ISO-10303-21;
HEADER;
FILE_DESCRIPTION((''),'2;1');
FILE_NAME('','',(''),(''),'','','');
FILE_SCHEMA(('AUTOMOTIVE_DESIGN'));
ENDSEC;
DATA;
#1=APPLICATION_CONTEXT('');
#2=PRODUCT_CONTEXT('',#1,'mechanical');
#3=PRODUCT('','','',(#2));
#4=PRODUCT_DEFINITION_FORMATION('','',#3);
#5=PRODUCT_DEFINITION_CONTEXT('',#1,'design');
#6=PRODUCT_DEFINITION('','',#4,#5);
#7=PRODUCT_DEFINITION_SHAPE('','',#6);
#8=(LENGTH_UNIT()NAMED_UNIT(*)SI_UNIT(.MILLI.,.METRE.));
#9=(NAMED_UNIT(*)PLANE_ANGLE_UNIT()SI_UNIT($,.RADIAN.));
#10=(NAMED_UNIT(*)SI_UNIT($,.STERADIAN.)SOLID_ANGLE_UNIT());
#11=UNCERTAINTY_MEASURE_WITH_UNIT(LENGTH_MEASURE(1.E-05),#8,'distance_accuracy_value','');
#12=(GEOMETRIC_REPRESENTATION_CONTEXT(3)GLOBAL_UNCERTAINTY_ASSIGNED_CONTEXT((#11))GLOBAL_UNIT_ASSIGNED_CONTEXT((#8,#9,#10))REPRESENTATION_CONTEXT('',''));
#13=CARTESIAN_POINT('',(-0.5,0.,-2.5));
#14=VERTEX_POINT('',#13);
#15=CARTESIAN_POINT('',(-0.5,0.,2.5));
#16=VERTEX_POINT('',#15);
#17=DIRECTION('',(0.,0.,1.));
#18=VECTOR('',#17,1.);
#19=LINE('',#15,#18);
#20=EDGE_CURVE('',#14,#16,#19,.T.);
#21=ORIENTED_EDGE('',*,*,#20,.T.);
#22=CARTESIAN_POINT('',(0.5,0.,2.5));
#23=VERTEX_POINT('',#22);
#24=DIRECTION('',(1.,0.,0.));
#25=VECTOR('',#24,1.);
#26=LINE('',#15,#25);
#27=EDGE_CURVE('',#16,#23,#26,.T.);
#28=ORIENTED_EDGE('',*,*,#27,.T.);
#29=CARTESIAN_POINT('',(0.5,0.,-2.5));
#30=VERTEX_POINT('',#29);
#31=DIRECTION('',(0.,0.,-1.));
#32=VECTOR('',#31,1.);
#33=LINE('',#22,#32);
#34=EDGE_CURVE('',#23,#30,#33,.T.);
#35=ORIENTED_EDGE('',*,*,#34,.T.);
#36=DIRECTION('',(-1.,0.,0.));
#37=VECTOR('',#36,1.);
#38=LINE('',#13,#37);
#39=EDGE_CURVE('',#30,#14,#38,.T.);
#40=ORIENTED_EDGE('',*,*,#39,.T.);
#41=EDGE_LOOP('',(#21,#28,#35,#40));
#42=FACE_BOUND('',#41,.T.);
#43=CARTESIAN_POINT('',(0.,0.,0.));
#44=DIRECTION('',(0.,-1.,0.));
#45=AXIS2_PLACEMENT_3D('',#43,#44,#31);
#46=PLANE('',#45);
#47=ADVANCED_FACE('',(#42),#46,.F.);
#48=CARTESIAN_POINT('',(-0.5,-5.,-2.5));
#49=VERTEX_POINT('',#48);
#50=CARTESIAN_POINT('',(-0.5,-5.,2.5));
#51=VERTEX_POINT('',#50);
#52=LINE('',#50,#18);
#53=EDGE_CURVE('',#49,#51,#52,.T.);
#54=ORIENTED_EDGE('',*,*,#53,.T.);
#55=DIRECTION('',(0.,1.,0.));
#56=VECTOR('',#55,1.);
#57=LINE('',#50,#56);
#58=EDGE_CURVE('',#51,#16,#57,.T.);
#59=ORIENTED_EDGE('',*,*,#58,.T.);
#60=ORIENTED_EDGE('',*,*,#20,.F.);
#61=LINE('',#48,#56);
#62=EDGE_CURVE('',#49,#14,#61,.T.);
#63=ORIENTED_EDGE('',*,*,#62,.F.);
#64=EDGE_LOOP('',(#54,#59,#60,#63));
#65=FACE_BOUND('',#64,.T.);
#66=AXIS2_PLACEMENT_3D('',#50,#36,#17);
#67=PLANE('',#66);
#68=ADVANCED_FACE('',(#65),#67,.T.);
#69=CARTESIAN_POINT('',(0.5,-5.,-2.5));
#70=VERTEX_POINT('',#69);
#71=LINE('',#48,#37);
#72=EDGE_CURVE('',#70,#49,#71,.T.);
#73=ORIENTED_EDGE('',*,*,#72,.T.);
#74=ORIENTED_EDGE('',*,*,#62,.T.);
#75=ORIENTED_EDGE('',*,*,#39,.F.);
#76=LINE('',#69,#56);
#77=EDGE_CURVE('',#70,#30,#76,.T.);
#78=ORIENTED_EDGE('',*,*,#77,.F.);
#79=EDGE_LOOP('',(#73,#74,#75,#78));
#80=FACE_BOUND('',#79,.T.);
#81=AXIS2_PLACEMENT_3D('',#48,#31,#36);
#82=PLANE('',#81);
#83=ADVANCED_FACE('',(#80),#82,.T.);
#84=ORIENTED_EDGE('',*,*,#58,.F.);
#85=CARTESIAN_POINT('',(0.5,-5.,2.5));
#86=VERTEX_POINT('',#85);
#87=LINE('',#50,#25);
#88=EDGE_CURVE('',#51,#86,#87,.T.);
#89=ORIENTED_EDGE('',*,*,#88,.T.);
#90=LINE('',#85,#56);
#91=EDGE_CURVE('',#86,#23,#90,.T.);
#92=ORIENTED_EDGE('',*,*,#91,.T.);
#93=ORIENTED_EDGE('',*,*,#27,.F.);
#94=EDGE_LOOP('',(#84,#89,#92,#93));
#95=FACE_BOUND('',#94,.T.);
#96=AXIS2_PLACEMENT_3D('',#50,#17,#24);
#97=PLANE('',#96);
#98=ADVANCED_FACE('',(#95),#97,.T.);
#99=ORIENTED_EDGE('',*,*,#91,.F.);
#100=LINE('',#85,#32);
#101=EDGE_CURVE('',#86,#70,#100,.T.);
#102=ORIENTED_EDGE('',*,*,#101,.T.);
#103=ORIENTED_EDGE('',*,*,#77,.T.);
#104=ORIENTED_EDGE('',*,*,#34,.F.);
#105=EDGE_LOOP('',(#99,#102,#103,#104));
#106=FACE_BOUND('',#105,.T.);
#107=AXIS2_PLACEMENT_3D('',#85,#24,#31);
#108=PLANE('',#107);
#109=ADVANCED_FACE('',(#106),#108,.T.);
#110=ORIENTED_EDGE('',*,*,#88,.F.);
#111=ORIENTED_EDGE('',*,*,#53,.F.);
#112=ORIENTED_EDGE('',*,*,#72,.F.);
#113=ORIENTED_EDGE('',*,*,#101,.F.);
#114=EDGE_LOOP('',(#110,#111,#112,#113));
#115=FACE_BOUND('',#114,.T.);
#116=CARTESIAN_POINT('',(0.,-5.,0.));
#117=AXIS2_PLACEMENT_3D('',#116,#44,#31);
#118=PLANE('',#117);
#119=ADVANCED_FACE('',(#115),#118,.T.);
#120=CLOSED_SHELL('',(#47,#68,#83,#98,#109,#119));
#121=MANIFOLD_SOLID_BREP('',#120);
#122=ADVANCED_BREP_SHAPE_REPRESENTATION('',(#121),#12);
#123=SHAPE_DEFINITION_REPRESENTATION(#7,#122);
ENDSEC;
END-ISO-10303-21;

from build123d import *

# Parameters (mm, degrees)
SRECTANGLE_W     = 1
SRECTANGLE_H     = 5
FRECTANGLE_DEPTH = 5


with BuildPart() as part:
    # SRectangle → FRectangle (new body)
    with BuildSketch(Plane(origin=(0, 0, 0), x_dir=(1, 0, 0), z_dir=(0, 1, 0))):
        Rectangle(SRECTANGLE_W, SRECTANGLE_H)
    extrude(amount=-FRECTANGLE_DEPTH)


solid = part.part
